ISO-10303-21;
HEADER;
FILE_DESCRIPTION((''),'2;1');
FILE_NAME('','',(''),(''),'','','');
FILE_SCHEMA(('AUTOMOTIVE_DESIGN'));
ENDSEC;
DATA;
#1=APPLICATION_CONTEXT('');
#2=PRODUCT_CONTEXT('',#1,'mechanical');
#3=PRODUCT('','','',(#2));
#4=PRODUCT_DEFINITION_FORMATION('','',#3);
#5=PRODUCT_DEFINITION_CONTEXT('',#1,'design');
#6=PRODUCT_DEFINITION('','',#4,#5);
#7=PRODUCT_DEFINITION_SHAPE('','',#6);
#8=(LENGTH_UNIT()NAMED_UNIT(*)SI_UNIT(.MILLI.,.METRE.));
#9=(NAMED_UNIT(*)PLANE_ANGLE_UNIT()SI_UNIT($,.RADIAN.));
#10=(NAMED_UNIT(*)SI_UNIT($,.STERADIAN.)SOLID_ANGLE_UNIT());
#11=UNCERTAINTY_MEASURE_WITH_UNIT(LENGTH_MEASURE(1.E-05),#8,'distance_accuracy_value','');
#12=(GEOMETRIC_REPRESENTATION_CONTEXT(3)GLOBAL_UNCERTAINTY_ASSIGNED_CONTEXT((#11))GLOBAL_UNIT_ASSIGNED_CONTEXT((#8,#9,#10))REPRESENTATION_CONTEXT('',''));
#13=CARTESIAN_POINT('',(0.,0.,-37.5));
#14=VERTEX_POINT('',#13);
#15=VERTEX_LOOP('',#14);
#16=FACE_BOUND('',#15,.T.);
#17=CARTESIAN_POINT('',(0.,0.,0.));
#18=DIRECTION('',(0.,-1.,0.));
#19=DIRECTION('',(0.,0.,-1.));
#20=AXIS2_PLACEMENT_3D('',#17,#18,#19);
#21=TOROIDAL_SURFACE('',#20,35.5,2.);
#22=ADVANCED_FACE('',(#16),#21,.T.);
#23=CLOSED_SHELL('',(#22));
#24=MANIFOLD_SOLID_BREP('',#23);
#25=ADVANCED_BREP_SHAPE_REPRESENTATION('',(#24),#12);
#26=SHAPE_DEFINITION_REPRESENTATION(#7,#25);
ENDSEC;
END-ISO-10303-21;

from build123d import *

# Parameters (mm, degrees)
SKETCH1_R = 2


with BuildPart() as part:
    # Sketch1 → Revolve1 (revolve)
    with BuildSketch(Plane.XY):
        with Locations((-35.5, 0)):
            Circle(SKETCH1_R)
    revolve(axis=Axis((0, 0, 0), (0, 1, 0)))


solid = part.part
